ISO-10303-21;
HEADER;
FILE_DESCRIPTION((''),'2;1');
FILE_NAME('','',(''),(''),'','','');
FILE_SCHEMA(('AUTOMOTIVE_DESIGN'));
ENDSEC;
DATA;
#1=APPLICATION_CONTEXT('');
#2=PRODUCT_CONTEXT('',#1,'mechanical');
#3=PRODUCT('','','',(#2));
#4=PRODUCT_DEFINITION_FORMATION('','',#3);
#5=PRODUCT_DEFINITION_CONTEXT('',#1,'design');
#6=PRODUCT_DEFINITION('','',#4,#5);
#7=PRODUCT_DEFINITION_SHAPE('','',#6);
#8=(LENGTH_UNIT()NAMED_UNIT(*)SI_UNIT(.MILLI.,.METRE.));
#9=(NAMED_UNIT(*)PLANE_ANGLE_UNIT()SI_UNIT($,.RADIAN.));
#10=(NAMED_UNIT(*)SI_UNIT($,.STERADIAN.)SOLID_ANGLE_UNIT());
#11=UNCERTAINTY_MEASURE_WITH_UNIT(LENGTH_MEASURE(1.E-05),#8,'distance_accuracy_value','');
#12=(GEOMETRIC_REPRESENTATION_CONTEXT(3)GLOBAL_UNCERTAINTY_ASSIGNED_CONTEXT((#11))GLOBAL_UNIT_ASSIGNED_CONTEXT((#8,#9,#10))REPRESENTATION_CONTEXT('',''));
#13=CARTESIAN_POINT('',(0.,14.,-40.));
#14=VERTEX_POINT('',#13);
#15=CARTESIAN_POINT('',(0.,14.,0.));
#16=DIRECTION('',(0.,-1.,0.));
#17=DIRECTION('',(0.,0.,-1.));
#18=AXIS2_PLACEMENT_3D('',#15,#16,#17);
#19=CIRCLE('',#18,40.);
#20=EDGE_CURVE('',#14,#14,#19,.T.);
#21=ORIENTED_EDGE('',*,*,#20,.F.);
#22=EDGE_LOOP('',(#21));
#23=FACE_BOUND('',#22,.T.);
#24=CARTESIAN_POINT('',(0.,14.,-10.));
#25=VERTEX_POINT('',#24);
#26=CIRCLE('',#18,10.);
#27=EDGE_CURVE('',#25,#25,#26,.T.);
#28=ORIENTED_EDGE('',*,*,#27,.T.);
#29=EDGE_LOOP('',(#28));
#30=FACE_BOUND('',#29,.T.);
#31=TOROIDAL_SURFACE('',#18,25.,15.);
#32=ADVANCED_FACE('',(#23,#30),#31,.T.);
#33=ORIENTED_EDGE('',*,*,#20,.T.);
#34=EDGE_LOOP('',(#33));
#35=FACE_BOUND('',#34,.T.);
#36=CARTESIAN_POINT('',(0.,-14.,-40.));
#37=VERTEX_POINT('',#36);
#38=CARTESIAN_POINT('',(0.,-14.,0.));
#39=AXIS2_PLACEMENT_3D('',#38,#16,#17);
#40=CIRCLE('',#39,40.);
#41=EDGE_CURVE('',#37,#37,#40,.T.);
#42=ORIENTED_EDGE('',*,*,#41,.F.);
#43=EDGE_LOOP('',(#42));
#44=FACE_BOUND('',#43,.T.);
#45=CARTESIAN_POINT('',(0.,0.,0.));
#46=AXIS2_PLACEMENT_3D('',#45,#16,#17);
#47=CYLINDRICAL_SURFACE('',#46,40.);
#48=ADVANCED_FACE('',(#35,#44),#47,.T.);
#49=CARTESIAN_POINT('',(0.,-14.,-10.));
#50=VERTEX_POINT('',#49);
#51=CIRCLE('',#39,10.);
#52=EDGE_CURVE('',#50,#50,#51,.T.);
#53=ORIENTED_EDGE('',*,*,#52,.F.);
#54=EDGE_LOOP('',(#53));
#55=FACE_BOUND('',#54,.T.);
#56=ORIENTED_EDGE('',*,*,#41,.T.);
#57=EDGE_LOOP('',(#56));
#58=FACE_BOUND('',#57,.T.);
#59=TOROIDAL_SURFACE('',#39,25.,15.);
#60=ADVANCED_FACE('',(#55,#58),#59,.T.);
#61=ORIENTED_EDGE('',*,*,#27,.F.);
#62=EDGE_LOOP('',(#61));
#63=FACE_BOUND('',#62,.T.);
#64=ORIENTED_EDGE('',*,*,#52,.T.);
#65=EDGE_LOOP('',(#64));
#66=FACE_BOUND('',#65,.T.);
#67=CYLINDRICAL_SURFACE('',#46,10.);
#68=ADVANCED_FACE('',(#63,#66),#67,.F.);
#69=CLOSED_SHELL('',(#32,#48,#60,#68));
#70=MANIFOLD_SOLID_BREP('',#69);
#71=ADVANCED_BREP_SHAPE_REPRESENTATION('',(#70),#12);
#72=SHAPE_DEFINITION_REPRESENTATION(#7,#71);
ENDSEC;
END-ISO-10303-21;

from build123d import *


with BuildPart() as part:
    # 草图1 → 旋转1 (revolve)
    with BuildSketch(Plane.XY, mode=Mode.PRIVATE) as revolve_1_sk:
        with BuildLine():
            Line((-40, 14), (-40, -14))
            ThreePointArc((-40, -14), (-25, -29), (-10, -14))
            Line((-10, -14), (-10, 14))
            ThreePointArc((-10, 14), (-25, 29), (-40, 14))
        make_face()
    revolve(revolve_1_sk.sketch.rotate(Axis((0, 0, 0), (0, 1, 0)), 270), axis=Axis((0, 0, 0), (0, 1, 0)))


solid = part.part
